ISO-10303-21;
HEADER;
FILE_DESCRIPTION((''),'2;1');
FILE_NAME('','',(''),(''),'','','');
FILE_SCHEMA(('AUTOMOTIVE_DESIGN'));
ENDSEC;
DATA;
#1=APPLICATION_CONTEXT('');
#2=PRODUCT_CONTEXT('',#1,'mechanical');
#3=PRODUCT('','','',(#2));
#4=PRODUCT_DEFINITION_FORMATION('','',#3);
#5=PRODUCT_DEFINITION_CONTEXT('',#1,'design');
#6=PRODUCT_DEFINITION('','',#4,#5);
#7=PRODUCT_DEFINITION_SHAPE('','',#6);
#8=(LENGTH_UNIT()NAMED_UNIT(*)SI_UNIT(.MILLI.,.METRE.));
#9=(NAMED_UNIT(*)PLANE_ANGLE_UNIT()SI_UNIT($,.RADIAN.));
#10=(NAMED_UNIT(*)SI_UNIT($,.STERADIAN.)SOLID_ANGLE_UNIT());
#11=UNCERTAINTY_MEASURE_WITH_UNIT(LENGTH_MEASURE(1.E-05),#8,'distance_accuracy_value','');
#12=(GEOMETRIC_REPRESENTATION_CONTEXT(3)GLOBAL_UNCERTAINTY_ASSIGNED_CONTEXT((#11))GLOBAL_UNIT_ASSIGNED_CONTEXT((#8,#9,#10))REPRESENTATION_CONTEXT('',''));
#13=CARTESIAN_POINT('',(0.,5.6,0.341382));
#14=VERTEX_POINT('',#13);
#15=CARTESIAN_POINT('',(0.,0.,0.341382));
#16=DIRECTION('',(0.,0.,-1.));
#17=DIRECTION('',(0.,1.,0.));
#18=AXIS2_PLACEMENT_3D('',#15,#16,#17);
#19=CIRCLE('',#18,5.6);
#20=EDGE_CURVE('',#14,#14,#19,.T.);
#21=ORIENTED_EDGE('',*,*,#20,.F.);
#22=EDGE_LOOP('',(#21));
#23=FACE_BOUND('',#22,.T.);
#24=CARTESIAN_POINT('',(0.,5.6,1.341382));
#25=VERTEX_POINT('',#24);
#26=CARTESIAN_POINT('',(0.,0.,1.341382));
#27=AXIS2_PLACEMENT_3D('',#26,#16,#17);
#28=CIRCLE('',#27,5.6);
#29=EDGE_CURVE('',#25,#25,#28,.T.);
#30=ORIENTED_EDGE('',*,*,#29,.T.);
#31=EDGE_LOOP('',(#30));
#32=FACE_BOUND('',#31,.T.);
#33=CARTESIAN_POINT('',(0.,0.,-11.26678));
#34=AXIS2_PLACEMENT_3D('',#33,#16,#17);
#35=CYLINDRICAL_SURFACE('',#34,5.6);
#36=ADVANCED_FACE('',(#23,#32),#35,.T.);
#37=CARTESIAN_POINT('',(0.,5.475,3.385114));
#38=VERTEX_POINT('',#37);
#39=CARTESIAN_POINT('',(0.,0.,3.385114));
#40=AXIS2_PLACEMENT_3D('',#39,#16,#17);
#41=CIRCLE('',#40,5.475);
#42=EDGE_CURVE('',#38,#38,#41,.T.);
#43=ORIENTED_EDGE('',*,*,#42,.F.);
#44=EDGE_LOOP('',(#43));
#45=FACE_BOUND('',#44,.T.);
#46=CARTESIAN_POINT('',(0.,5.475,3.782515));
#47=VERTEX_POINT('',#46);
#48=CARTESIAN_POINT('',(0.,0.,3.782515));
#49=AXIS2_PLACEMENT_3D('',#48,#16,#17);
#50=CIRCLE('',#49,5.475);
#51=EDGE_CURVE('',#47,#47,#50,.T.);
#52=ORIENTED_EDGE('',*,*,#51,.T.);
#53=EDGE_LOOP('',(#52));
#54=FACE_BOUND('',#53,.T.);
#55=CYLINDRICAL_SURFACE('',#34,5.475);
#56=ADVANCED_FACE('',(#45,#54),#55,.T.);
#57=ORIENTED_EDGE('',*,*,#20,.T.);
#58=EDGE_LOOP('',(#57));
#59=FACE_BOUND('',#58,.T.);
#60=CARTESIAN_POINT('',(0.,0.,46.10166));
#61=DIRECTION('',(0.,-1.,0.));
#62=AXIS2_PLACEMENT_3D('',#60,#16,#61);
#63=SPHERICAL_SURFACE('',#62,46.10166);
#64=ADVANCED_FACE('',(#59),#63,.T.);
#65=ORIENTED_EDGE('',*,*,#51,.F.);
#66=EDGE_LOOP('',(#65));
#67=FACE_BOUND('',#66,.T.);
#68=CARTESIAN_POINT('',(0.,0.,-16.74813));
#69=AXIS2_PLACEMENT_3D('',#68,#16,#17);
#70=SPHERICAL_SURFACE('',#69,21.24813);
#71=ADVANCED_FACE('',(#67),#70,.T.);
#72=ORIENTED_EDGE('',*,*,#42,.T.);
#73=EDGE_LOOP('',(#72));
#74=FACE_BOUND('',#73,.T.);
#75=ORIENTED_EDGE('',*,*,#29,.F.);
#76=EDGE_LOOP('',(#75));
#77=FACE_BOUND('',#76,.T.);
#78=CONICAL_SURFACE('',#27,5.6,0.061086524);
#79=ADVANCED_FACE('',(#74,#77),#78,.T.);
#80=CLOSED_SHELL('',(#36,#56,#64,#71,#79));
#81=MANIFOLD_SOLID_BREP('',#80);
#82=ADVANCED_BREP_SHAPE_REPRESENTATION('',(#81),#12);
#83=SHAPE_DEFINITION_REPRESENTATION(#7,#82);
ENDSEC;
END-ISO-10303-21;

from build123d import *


with BuildPart() as part:
    # Sketch1 → Revolve1 (revolve)
    with BuildSketch(Plane(origin=(0, 0, 0), x_dir=(0, 0, -1), z_dir=(1, 0, 0))):
        with BuildLine():
            Line((-4.49999987, 0), (0, 0))
            ThreePointArc((0, 0), (-0.085424611, 2.805197924), (-0.341381868, 5.6))
            Line((-0.341381868, 5.6), (-1.341381868, 5.6))
            Line((-1.341381868, 5.6), (-3.385113802, 5.475))
            Line((-3.385113802, 5.475), (-3.782515337, 5.475))
            ThreePointArc((-3.782515337, 5.475), (-4.319865175, 2.760906058), (-4.49999987, 0))
        make_face()
    revolve(axis=Axis((0, 0, -11.266779681), (0, 0, 1)))


solid = part.part
